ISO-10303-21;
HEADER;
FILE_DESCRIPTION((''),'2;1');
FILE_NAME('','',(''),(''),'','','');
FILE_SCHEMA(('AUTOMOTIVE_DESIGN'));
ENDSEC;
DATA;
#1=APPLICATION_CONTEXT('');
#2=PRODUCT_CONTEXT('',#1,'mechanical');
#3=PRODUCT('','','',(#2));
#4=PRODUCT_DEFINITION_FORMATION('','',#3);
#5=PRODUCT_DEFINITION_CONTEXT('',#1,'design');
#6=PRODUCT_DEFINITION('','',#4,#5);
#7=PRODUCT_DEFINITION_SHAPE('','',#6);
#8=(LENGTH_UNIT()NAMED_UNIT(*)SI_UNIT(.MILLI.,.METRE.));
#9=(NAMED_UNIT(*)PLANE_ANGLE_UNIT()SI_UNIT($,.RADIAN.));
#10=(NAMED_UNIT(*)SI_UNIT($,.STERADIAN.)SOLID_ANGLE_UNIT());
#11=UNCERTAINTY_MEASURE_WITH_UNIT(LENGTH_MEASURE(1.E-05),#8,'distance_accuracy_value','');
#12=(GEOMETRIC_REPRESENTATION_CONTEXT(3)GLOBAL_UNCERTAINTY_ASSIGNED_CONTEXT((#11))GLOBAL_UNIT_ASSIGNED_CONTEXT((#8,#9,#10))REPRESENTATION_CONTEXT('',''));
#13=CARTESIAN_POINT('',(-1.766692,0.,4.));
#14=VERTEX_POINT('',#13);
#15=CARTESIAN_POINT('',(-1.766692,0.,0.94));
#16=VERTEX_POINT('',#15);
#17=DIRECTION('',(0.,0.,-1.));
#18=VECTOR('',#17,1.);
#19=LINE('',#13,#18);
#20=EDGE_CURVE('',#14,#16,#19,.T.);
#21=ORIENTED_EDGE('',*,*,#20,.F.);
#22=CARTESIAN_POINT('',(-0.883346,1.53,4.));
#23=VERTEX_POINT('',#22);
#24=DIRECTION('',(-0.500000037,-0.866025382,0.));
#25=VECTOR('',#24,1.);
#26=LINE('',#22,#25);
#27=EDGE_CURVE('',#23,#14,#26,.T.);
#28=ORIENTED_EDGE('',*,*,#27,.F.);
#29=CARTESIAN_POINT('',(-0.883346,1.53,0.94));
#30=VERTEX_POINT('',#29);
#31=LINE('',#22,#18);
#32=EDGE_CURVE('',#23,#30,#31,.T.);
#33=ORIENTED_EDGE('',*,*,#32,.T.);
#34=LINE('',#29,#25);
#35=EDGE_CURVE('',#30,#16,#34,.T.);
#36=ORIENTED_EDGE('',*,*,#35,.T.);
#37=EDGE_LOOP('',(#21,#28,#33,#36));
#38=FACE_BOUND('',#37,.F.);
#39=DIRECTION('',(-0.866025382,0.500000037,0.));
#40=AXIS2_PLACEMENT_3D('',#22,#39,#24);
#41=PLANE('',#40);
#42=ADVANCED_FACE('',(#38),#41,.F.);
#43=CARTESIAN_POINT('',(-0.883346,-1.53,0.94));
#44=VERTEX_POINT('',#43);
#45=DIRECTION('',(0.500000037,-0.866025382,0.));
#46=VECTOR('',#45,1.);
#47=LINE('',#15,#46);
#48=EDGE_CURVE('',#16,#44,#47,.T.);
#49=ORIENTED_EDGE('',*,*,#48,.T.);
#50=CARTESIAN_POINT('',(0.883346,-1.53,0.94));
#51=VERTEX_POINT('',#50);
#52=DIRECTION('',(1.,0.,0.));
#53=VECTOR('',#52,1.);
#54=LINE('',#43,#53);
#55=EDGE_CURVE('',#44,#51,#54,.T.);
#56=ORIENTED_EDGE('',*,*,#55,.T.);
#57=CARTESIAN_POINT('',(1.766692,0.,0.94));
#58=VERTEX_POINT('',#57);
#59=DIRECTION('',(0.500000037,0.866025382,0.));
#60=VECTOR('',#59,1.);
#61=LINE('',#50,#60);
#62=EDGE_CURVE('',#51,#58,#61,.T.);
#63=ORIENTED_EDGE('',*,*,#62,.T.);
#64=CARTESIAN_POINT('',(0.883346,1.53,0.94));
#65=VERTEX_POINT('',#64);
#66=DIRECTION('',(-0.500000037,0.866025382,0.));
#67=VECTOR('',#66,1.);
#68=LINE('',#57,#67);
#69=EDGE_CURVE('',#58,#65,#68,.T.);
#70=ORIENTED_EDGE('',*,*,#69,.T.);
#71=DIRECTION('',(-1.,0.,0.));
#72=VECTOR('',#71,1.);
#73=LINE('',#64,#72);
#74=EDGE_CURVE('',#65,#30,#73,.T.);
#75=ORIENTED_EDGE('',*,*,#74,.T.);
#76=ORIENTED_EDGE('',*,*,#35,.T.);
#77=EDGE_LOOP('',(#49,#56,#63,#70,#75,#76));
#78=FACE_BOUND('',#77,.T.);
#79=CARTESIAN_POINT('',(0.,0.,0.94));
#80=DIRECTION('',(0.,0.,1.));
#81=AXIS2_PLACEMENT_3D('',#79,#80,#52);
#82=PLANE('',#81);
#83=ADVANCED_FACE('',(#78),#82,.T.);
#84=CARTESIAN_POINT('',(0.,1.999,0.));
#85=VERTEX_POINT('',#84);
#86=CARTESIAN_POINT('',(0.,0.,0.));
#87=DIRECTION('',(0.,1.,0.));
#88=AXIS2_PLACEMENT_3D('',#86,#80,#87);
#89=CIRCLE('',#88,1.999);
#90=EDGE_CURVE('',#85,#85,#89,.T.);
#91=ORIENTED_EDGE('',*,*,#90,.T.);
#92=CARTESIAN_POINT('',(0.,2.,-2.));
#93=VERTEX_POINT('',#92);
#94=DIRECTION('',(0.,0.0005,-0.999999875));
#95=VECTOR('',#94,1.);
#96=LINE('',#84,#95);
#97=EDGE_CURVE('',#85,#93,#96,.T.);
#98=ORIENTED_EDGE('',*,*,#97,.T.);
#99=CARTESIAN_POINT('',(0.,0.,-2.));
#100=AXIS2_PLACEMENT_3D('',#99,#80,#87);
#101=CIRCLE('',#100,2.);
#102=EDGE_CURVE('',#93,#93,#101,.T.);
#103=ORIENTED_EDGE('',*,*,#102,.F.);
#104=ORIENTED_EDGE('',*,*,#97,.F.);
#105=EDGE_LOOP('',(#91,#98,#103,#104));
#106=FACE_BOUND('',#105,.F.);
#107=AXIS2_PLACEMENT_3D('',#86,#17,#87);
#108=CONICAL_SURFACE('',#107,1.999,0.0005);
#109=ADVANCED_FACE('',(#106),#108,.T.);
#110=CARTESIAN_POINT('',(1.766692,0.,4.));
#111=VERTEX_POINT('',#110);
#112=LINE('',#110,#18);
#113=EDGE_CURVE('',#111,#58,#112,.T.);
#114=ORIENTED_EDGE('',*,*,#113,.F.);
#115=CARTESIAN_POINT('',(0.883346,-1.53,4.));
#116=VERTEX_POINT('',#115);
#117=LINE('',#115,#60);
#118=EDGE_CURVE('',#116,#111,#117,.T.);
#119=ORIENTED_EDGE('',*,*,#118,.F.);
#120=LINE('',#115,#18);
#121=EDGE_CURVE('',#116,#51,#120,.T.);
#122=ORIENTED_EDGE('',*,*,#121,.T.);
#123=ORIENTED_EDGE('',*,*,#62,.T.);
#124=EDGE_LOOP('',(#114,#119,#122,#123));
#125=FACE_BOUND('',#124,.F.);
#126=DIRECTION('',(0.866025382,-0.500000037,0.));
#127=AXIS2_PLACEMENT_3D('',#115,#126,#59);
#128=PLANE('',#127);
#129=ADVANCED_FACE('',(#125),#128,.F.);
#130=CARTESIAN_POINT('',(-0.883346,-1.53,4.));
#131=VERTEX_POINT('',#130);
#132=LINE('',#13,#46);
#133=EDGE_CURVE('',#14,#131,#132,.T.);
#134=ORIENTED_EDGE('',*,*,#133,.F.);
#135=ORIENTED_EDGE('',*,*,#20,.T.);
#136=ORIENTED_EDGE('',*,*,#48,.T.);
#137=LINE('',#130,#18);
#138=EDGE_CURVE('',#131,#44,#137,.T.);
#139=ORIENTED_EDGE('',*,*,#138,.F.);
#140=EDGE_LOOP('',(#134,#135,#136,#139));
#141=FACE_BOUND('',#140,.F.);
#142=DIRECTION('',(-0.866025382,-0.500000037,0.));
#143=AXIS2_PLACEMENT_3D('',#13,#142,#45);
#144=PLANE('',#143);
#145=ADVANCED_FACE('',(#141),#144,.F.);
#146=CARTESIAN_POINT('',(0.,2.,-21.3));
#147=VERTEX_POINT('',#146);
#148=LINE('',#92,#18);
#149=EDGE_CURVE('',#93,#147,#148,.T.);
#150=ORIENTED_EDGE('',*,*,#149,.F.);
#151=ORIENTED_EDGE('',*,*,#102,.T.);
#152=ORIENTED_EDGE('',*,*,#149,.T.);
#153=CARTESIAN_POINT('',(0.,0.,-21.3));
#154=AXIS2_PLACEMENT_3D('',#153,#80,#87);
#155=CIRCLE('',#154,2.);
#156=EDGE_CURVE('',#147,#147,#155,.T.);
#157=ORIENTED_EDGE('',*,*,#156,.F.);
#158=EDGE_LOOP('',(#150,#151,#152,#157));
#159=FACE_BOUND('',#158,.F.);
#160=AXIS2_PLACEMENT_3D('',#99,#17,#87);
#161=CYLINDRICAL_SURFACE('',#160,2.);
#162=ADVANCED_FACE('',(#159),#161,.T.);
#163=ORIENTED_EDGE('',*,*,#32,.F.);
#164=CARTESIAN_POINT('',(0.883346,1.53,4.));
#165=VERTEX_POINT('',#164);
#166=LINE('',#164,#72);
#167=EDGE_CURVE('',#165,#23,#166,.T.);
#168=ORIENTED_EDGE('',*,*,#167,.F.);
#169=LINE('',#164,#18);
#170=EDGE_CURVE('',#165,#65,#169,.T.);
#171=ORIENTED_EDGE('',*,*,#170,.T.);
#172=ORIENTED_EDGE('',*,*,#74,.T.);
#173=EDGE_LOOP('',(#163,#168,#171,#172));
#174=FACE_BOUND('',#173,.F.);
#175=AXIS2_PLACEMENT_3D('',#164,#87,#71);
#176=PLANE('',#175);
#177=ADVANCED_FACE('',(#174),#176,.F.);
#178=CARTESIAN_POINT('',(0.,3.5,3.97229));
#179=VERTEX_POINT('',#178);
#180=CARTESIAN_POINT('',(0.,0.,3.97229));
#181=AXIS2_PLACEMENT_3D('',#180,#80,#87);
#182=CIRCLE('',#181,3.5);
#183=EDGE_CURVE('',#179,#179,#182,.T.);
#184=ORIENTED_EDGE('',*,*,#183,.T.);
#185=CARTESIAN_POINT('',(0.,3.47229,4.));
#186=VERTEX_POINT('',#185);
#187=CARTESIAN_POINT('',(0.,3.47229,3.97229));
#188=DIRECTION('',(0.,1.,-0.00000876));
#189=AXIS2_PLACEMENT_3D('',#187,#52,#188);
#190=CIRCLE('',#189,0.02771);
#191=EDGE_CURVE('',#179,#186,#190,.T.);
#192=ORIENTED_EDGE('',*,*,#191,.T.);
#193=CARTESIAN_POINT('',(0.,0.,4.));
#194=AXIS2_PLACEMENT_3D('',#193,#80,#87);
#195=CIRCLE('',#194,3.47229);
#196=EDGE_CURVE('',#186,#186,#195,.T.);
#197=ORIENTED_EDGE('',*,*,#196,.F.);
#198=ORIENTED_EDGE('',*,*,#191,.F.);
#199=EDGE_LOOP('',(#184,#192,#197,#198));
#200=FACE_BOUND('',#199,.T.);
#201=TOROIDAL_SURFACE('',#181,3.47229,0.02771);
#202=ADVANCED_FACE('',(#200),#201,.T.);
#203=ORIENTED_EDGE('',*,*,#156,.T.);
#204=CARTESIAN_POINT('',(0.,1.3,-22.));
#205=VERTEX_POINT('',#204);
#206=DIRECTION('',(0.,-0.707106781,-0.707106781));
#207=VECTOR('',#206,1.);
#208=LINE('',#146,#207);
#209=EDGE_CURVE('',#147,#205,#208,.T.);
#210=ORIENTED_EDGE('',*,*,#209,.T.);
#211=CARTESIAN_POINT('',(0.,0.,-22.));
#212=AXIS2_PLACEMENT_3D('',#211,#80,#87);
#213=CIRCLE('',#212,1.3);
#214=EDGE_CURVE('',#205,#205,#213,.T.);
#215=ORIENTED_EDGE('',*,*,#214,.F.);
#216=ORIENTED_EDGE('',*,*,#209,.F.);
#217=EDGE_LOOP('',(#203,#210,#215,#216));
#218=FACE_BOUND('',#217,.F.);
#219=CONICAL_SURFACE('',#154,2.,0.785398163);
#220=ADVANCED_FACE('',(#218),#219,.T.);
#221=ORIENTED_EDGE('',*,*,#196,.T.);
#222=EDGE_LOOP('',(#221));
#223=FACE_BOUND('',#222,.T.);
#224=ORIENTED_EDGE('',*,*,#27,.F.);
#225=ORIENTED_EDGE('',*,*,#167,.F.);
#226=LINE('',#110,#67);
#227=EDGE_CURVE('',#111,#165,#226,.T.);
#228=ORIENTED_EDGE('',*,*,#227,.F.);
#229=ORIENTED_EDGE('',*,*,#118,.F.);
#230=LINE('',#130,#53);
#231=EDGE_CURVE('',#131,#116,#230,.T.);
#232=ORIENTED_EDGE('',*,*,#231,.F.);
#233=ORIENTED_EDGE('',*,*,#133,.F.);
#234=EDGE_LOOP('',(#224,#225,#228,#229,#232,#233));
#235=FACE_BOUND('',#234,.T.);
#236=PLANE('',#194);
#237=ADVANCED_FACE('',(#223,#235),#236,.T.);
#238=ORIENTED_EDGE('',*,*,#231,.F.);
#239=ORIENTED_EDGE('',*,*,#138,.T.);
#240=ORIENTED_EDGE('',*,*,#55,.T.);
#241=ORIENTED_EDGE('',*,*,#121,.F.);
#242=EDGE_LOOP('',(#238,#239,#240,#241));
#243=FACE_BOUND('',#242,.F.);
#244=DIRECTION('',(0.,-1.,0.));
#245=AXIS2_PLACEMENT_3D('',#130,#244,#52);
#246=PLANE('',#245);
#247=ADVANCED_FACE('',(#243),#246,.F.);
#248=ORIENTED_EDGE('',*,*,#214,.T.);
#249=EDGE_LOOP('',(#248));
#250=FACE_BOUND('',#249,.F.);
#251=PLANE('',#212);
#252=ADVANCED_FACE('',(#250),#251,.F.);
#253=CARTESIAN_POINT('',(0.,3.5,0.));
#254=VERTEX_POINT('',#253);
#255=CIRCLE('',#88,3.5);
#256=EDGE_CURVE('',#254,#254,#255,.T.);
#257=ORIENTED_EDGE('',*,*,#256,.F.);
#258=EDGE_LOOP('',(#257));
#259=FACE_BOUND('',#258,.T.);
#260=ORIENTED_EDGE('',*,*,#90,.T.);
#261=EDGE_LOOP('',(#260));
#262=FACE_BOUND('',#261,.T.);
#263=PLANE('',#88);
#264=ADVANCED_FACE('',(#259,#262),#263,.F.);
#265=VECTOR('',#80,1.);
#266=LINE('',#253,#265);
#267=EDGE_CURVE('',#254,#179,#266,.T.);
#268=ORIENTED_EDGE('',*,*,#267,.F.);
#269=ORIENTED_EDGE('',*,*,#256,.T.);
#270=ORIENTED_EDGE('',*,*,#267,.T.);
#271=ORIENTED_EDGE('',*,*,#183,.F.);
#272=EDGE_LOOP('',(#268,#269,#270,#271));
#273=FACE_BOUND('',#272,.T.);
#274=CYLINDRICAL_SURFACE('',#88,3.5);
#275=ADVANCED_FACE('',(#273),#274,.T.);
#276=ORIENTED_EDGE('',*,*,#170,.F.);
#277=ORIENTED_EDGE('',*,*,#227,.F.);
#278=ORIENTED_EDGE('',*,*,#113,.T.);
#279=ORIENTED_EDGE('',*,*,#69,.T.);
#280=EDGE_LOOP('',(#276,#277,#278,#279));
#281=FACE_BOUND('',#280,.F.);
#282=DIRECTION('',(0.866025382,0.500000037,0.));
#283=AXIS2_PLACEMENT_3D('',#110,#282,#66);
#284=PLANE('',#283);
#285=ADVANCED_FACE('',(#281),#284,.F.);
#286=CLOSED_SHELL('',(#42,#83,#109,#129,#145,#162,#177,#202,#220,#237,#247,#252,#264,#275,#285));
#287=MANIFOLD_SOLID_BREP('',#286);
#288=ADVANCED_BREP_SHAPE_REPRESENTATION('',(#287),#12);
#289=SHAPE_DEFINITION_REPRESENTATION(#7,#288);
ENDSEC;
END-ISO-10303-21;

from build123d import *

# Parameters (mm, degrees)
POCKET_DEPTH = 3.06


with BuildPart() as part:
    # Sketch → Revolve (revolve)
    with BuildSketch(Plane.YZ):
        with BuildLine():
            Line((1.999, 0), (3.5, 0))
            Line((3.5, 0), (3.5, 3.97229))
            ThreePointArc((3.5, 3.97229), (3.491884, 3.991884), (3.47229, 4))
            Line((3.47229, 4), (0, 4))
            Line((0, -22), (0, 4))
            Line((1.3, -22), (0, -22))
            Line((2, -21.3), (1.3, -22))
            Line((2, -2), (2, -21.3))
            Line((1.999, 0), (2, -2))
        make_face()
    revolve(axis=Axis((0, 0, 0), (0, 0, 1)))

    # Sketch001 → Pocket (cut)
    with BuildSketch(Plane.XY.offset(4)):
        Polygon((1.766692, 0), (0.883346, 1.53), (-0.883346, 1.53), (-1.766692, 0), (-0.883346, -1.53), (0.883346, -1.53), align=None)
    extrude(amount=-POCKET_DEPTH, mode=Mode.SUBTRACT)


solid = part.part
